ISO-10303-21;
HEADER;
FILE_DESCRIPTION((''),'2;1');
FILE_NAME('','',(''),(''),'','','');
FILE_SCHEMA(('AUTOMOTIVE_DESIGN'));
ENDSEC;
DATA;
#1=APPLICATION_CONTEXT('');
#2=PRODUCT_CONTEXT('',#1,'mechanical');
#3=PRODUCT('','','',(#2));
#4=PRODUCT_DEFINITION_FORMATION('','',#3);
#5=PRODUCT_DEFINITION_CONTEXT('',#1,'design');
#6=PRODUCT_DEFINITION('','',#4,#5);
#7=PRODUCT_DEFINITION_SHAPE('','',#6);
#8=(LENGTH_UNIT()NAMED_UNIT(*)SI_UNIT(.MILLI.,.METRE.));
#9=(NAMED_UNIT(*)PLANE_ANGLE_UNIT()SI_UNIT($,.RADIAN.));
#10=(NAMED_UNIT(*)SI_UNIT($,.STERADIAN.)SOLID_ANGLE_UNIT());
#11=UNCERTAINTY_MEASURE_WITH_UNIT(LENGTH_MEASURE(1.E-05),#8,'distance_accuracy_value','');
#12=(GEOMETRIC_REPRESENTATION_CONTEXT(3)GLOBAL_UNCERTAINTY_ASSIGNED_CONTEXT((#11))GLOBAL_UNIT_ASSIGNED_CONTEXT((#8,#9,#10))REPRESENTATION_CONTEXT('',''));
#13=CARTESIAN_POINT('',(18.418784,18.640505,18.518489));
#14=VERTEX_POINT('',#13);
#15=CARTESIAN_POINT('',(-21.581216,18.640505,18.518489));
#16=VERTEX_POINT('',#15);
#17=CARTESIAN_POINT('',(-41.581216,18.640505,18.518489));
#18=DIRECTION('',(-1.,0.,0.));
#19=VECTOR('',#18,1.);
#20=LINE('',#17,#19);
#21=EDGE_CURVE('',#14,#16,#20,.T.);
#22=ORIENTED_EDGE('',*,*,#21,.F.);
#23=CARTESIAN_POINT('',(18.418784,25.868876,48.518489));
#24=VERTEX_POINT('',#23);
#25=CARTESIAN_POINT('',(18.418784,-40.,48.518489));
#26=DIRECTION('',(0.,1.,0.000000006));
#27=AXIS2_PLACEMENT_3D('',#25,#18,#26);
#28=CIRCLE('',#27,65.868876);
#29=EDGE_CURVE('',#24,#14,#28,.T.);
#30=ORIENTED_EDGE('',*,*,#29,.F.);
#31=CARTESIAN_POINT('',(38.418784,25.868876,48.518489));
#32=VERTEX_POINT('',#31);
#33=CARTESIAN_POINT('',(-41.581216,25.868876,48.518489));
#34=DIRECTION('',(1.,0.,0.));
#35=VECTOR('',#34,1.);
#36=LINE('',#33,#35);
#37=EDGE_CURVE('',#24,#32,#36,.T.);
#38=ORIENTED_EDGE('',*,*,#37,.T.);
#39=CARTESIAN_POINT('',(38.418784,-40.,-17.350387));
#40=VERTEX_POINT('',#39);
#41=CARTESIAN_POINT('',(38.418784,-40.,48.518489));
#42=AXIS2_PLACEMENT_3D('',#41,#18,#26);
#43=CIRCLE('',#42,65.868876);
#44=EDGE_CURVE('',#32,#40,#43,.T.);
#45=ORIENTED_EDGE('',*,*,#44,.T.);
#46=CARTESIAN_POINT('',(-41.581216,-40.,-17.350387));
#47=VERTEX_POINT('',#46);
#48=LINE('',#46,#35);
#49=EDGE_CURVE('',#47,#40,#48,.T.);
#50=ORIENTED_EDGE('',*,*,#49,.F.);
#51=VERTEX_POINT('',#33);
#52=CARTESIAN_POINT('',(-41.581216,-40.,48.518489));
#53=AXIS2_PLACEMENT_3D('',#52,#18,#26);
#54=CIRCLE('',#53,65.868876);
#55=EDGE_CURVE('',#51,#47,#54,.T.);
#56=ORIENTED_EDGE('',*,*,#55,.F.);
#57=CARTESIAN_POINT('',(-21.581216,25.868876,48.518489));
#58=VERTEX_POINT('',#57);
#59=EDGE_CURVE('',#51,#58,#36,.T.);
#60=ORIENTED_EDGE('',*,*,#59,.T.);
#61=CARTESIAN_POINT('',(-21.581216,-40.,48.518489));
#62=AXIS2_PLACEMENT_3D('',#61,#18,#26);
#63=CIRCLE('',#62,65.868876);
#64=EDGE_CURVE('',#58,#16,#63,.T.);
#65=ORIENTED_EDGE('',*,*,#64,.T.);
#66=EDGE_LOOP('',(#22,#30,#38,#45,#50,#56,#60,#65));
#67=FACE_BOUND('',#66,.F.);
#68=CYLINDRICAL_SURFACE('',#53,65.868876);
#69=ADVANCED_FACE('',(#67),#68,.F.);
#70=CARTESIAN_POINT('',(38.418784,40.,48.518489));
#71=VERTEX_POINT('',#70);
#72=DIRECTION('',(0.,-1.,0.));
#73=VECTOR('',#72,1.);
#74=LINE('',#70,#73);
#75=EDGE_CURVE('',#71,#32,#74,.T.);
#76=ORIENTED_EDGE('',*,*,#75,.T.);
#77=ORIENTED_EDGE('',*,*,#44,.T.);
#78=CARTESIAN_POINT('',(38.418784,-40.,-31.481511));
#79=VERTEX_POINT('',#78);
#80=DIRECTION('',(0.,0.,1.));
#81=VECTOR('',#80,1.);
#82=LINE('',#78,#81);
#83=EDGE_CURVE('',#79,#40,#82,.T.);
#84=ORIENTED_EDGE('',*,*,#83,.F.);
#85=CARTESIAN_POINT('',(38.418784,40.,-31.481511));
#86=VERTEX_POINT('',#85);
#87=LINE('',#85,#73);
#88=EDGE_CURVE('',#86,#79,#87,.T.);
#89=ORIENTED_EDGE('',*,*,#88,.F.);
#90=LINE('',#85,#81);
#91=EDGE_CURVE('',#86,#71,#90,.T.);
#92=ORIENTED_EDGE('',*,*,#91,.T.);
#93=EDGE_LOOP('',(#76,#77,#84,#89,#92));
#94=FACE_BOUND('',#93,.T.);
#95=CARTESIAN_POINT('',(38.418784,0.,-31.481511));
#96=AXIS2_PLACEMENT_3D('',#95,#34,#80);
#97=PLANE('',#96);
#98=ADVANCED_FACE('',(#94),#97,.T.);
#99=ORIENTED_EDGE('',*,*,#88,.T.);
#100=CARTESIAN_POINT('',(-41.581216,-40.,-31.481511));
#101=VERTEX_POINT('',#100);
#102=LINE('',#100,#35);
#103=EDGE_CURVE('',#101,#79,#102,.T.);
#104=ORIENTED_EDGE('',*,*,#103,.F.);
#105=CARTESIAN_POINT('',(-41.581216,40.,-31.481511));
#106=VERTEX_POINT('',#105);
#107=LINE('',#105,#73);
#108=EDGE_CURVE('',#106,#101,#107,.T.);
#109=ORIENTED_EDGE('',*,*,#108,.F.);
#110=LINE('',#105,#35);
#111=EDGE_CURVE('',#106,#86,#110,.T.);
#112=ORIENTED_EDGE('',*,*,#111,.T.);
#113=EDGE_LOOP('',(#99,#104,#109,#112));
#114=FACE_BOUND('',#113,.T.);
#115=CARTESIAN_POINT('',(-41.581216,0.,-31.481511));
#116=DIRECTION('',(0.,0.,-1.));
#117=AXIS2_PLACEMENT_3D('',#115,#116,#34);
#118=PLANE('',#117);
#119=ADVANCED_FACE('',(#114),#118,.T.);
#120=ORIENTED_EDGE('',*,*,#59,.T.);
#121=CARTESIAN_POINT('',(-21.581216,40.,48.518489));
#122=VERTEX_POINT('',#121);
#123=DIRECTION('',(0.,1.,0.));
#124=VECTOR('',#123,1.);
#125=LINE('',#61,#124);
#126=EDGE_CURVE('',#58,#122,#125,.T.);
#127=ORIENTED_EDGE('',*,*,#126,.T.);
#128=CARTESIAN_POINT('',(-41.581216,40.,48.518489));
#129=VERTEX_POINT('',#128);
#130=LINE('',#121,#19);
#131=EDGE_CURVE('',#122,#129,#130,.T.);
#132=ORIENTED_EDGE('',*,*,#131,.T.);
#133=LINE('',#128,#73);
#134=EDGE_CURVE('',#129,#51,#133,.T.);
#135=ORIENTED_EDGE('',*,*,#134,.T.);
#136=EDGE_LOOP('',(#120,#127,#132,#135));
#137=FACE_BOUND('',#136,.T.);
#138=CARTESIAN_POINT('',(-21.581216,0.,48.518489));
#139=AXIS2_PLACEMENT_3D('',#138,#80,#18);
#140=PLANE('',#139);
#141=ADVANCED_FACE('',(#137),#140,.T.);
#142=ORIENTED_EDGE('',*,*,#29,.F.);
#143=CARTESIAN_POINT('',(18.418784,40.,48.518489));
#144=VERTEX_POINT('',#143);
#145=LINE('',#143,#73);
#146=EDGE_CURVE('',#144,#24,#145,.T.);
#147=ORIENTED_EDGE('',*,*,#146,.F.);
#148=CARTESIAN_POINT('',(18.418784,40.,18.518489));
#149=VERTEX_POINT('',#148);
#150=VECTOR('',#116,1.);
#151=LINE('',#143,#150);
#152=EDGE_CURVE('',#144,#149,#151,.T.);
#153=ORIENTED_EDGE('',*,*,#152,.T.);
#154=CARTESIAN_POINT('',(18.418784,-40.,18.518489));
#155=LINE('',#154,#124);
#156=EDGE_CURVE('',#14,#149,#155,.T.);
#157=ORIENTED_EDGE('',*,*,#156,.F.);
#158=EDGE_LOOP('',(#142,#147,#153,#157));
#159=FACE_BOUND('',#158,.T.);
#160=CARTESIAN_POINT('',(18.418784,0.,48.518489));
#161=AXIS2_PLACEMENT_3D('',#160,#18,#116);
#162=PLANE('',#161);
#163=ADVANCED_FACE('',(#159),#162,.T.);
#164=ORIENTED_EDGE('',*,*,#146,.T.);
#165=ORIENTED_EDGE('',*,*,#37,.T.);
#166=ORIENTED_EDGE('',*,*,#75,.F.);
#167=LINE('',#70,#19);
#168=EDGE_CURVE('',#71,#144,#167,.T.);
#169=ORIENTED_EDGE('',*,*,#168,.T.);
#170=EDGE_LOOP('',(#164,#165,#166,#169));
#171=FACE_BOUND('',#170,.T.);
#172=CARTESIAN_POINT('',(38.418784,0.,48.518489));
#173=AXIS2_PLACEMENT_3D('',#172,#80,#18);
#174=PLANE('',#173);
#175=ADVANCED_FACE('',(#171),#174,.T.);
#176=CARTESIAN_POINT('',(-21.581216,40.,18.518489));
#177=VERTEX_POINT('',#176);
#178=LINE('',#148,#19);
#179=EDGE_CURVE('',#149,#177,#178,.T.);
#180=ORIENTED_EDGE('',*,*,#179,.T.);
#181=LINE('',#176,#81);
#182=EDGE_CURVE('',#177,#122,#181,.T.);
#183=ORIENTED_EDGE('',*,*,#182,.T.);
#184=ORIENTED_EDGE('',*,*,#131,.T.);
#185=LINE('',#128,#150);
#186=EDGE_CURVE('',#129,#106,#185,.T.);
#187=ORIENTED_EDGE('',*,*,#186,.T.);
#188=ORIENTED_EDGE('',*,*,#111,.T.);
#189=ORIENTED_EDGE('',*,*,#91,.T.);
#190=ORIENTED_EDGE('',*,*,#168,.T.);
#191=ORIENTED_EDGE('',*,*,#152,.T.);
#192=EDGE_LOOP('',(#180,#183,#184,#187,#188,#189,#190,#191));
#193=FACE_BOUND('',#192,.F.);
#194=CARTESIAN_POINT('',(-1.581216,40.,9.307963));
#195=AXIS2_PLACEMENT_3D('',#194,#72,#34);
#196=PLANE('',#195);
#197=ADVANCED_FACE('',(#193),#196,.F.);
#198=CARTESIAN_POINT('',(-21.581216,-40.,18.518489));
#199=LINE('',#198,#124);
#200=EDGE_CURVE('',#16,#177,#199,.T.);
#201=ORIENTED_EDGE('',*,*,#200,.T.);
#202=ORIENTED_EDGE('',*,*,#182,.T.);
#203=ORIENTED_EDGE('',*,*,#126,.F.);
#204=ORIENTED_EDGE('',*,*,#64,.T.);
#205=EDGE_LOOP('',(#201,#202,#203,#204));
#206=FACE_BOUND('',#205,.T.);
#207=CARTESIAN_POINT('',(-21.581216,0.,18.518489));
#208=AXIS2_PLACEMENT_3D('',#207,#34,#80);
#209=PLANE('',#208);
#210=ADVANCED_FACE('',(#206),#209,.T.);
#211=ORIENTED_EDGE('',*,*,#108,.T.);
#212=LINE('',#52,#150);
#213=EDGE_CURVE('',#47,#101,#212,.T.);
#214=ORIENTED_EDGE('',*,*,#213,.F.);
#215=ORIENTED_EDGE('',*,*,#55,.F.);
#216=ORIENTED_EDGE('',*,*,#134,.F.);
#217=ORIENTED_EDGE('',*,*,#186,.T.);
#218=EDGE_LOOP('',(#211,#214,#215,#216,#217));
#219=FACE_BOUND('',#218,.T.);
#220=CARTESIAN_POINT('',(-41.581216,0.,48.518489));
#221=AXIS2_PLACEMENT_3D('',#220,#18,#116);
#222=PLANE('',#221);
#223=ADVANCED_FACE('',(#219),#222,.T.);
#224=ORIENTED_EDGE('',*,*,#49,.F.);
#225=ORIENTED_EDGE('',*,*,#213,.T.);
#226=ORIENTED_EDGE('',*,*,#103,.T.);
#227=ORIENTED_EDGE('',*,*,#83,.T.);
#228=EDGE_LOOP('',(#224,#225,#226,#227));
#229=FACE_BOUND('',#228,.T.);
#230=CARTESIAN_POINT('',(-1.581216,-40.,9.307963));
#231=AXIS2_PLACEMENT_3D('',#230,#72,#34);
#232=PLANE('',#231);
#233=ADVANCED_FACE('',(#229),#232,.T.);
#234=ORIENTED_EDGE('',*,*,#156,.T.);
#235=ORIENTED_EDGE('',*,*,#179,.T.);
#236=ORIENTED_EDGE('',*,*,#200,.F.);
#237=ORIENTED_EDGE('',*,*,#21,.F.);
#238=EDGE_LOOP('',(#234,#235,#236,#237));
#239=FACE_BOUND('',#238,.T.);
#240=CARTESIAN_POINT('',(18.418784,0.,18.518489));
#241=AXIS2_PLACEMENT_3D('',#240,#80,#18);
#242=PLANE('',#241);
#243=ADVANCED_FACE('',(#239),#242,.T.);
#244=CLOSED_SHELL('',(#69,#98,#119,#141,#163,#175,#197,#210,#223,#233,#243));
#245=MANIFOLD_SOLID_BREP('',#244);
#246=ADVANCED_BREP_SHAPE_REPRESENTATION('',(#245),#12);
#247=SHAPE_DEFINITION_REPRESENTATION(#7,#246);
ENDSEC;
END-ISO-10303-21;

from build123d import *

# Parameters (mm, degrees)
F1_DEPTH = 40
F3_DEPTH = 80.001


with BuildPart() as f1:
    # F0 (on Front) → F1 (new body, symmetric)
    with BuildSketch(Plane.XZ):
        Polygon((-21.581216, 48.518489), (-41.581216, 48.518489), (-41.581216, -31.481511), (38.418784, -31.481511), (38.418784, 48.518489), (18.418784, 48.518489), (18.418784, 18.518489), (-21.581216, 18.518489), align=None)
    extrude(amount=F1_DEPTH, both=True)

    # F2 (on face) → F3 (cut, through all)
    with BuildSketch(Plane(origin=(-41.581216, 0, 0), x_dir=(0, -1, 0), z_dir=(-1, 0, 0))):
        with BuildLine():
            Line((40, -17.350387), (40, -15.578494))
            Line((40, -15.578494), (40, 48.518489))
            Line((40, 48.518489), (-25.868876, 48.518489))
            ThreePointArc((-25.868876, 48.518489), (-6.576329, 1.94216), (40, -17.350387))
        make_face()
    extrude(amount=-F3_DEPTH, mode=Mode.SUBTRACT)


solid = f1.part
